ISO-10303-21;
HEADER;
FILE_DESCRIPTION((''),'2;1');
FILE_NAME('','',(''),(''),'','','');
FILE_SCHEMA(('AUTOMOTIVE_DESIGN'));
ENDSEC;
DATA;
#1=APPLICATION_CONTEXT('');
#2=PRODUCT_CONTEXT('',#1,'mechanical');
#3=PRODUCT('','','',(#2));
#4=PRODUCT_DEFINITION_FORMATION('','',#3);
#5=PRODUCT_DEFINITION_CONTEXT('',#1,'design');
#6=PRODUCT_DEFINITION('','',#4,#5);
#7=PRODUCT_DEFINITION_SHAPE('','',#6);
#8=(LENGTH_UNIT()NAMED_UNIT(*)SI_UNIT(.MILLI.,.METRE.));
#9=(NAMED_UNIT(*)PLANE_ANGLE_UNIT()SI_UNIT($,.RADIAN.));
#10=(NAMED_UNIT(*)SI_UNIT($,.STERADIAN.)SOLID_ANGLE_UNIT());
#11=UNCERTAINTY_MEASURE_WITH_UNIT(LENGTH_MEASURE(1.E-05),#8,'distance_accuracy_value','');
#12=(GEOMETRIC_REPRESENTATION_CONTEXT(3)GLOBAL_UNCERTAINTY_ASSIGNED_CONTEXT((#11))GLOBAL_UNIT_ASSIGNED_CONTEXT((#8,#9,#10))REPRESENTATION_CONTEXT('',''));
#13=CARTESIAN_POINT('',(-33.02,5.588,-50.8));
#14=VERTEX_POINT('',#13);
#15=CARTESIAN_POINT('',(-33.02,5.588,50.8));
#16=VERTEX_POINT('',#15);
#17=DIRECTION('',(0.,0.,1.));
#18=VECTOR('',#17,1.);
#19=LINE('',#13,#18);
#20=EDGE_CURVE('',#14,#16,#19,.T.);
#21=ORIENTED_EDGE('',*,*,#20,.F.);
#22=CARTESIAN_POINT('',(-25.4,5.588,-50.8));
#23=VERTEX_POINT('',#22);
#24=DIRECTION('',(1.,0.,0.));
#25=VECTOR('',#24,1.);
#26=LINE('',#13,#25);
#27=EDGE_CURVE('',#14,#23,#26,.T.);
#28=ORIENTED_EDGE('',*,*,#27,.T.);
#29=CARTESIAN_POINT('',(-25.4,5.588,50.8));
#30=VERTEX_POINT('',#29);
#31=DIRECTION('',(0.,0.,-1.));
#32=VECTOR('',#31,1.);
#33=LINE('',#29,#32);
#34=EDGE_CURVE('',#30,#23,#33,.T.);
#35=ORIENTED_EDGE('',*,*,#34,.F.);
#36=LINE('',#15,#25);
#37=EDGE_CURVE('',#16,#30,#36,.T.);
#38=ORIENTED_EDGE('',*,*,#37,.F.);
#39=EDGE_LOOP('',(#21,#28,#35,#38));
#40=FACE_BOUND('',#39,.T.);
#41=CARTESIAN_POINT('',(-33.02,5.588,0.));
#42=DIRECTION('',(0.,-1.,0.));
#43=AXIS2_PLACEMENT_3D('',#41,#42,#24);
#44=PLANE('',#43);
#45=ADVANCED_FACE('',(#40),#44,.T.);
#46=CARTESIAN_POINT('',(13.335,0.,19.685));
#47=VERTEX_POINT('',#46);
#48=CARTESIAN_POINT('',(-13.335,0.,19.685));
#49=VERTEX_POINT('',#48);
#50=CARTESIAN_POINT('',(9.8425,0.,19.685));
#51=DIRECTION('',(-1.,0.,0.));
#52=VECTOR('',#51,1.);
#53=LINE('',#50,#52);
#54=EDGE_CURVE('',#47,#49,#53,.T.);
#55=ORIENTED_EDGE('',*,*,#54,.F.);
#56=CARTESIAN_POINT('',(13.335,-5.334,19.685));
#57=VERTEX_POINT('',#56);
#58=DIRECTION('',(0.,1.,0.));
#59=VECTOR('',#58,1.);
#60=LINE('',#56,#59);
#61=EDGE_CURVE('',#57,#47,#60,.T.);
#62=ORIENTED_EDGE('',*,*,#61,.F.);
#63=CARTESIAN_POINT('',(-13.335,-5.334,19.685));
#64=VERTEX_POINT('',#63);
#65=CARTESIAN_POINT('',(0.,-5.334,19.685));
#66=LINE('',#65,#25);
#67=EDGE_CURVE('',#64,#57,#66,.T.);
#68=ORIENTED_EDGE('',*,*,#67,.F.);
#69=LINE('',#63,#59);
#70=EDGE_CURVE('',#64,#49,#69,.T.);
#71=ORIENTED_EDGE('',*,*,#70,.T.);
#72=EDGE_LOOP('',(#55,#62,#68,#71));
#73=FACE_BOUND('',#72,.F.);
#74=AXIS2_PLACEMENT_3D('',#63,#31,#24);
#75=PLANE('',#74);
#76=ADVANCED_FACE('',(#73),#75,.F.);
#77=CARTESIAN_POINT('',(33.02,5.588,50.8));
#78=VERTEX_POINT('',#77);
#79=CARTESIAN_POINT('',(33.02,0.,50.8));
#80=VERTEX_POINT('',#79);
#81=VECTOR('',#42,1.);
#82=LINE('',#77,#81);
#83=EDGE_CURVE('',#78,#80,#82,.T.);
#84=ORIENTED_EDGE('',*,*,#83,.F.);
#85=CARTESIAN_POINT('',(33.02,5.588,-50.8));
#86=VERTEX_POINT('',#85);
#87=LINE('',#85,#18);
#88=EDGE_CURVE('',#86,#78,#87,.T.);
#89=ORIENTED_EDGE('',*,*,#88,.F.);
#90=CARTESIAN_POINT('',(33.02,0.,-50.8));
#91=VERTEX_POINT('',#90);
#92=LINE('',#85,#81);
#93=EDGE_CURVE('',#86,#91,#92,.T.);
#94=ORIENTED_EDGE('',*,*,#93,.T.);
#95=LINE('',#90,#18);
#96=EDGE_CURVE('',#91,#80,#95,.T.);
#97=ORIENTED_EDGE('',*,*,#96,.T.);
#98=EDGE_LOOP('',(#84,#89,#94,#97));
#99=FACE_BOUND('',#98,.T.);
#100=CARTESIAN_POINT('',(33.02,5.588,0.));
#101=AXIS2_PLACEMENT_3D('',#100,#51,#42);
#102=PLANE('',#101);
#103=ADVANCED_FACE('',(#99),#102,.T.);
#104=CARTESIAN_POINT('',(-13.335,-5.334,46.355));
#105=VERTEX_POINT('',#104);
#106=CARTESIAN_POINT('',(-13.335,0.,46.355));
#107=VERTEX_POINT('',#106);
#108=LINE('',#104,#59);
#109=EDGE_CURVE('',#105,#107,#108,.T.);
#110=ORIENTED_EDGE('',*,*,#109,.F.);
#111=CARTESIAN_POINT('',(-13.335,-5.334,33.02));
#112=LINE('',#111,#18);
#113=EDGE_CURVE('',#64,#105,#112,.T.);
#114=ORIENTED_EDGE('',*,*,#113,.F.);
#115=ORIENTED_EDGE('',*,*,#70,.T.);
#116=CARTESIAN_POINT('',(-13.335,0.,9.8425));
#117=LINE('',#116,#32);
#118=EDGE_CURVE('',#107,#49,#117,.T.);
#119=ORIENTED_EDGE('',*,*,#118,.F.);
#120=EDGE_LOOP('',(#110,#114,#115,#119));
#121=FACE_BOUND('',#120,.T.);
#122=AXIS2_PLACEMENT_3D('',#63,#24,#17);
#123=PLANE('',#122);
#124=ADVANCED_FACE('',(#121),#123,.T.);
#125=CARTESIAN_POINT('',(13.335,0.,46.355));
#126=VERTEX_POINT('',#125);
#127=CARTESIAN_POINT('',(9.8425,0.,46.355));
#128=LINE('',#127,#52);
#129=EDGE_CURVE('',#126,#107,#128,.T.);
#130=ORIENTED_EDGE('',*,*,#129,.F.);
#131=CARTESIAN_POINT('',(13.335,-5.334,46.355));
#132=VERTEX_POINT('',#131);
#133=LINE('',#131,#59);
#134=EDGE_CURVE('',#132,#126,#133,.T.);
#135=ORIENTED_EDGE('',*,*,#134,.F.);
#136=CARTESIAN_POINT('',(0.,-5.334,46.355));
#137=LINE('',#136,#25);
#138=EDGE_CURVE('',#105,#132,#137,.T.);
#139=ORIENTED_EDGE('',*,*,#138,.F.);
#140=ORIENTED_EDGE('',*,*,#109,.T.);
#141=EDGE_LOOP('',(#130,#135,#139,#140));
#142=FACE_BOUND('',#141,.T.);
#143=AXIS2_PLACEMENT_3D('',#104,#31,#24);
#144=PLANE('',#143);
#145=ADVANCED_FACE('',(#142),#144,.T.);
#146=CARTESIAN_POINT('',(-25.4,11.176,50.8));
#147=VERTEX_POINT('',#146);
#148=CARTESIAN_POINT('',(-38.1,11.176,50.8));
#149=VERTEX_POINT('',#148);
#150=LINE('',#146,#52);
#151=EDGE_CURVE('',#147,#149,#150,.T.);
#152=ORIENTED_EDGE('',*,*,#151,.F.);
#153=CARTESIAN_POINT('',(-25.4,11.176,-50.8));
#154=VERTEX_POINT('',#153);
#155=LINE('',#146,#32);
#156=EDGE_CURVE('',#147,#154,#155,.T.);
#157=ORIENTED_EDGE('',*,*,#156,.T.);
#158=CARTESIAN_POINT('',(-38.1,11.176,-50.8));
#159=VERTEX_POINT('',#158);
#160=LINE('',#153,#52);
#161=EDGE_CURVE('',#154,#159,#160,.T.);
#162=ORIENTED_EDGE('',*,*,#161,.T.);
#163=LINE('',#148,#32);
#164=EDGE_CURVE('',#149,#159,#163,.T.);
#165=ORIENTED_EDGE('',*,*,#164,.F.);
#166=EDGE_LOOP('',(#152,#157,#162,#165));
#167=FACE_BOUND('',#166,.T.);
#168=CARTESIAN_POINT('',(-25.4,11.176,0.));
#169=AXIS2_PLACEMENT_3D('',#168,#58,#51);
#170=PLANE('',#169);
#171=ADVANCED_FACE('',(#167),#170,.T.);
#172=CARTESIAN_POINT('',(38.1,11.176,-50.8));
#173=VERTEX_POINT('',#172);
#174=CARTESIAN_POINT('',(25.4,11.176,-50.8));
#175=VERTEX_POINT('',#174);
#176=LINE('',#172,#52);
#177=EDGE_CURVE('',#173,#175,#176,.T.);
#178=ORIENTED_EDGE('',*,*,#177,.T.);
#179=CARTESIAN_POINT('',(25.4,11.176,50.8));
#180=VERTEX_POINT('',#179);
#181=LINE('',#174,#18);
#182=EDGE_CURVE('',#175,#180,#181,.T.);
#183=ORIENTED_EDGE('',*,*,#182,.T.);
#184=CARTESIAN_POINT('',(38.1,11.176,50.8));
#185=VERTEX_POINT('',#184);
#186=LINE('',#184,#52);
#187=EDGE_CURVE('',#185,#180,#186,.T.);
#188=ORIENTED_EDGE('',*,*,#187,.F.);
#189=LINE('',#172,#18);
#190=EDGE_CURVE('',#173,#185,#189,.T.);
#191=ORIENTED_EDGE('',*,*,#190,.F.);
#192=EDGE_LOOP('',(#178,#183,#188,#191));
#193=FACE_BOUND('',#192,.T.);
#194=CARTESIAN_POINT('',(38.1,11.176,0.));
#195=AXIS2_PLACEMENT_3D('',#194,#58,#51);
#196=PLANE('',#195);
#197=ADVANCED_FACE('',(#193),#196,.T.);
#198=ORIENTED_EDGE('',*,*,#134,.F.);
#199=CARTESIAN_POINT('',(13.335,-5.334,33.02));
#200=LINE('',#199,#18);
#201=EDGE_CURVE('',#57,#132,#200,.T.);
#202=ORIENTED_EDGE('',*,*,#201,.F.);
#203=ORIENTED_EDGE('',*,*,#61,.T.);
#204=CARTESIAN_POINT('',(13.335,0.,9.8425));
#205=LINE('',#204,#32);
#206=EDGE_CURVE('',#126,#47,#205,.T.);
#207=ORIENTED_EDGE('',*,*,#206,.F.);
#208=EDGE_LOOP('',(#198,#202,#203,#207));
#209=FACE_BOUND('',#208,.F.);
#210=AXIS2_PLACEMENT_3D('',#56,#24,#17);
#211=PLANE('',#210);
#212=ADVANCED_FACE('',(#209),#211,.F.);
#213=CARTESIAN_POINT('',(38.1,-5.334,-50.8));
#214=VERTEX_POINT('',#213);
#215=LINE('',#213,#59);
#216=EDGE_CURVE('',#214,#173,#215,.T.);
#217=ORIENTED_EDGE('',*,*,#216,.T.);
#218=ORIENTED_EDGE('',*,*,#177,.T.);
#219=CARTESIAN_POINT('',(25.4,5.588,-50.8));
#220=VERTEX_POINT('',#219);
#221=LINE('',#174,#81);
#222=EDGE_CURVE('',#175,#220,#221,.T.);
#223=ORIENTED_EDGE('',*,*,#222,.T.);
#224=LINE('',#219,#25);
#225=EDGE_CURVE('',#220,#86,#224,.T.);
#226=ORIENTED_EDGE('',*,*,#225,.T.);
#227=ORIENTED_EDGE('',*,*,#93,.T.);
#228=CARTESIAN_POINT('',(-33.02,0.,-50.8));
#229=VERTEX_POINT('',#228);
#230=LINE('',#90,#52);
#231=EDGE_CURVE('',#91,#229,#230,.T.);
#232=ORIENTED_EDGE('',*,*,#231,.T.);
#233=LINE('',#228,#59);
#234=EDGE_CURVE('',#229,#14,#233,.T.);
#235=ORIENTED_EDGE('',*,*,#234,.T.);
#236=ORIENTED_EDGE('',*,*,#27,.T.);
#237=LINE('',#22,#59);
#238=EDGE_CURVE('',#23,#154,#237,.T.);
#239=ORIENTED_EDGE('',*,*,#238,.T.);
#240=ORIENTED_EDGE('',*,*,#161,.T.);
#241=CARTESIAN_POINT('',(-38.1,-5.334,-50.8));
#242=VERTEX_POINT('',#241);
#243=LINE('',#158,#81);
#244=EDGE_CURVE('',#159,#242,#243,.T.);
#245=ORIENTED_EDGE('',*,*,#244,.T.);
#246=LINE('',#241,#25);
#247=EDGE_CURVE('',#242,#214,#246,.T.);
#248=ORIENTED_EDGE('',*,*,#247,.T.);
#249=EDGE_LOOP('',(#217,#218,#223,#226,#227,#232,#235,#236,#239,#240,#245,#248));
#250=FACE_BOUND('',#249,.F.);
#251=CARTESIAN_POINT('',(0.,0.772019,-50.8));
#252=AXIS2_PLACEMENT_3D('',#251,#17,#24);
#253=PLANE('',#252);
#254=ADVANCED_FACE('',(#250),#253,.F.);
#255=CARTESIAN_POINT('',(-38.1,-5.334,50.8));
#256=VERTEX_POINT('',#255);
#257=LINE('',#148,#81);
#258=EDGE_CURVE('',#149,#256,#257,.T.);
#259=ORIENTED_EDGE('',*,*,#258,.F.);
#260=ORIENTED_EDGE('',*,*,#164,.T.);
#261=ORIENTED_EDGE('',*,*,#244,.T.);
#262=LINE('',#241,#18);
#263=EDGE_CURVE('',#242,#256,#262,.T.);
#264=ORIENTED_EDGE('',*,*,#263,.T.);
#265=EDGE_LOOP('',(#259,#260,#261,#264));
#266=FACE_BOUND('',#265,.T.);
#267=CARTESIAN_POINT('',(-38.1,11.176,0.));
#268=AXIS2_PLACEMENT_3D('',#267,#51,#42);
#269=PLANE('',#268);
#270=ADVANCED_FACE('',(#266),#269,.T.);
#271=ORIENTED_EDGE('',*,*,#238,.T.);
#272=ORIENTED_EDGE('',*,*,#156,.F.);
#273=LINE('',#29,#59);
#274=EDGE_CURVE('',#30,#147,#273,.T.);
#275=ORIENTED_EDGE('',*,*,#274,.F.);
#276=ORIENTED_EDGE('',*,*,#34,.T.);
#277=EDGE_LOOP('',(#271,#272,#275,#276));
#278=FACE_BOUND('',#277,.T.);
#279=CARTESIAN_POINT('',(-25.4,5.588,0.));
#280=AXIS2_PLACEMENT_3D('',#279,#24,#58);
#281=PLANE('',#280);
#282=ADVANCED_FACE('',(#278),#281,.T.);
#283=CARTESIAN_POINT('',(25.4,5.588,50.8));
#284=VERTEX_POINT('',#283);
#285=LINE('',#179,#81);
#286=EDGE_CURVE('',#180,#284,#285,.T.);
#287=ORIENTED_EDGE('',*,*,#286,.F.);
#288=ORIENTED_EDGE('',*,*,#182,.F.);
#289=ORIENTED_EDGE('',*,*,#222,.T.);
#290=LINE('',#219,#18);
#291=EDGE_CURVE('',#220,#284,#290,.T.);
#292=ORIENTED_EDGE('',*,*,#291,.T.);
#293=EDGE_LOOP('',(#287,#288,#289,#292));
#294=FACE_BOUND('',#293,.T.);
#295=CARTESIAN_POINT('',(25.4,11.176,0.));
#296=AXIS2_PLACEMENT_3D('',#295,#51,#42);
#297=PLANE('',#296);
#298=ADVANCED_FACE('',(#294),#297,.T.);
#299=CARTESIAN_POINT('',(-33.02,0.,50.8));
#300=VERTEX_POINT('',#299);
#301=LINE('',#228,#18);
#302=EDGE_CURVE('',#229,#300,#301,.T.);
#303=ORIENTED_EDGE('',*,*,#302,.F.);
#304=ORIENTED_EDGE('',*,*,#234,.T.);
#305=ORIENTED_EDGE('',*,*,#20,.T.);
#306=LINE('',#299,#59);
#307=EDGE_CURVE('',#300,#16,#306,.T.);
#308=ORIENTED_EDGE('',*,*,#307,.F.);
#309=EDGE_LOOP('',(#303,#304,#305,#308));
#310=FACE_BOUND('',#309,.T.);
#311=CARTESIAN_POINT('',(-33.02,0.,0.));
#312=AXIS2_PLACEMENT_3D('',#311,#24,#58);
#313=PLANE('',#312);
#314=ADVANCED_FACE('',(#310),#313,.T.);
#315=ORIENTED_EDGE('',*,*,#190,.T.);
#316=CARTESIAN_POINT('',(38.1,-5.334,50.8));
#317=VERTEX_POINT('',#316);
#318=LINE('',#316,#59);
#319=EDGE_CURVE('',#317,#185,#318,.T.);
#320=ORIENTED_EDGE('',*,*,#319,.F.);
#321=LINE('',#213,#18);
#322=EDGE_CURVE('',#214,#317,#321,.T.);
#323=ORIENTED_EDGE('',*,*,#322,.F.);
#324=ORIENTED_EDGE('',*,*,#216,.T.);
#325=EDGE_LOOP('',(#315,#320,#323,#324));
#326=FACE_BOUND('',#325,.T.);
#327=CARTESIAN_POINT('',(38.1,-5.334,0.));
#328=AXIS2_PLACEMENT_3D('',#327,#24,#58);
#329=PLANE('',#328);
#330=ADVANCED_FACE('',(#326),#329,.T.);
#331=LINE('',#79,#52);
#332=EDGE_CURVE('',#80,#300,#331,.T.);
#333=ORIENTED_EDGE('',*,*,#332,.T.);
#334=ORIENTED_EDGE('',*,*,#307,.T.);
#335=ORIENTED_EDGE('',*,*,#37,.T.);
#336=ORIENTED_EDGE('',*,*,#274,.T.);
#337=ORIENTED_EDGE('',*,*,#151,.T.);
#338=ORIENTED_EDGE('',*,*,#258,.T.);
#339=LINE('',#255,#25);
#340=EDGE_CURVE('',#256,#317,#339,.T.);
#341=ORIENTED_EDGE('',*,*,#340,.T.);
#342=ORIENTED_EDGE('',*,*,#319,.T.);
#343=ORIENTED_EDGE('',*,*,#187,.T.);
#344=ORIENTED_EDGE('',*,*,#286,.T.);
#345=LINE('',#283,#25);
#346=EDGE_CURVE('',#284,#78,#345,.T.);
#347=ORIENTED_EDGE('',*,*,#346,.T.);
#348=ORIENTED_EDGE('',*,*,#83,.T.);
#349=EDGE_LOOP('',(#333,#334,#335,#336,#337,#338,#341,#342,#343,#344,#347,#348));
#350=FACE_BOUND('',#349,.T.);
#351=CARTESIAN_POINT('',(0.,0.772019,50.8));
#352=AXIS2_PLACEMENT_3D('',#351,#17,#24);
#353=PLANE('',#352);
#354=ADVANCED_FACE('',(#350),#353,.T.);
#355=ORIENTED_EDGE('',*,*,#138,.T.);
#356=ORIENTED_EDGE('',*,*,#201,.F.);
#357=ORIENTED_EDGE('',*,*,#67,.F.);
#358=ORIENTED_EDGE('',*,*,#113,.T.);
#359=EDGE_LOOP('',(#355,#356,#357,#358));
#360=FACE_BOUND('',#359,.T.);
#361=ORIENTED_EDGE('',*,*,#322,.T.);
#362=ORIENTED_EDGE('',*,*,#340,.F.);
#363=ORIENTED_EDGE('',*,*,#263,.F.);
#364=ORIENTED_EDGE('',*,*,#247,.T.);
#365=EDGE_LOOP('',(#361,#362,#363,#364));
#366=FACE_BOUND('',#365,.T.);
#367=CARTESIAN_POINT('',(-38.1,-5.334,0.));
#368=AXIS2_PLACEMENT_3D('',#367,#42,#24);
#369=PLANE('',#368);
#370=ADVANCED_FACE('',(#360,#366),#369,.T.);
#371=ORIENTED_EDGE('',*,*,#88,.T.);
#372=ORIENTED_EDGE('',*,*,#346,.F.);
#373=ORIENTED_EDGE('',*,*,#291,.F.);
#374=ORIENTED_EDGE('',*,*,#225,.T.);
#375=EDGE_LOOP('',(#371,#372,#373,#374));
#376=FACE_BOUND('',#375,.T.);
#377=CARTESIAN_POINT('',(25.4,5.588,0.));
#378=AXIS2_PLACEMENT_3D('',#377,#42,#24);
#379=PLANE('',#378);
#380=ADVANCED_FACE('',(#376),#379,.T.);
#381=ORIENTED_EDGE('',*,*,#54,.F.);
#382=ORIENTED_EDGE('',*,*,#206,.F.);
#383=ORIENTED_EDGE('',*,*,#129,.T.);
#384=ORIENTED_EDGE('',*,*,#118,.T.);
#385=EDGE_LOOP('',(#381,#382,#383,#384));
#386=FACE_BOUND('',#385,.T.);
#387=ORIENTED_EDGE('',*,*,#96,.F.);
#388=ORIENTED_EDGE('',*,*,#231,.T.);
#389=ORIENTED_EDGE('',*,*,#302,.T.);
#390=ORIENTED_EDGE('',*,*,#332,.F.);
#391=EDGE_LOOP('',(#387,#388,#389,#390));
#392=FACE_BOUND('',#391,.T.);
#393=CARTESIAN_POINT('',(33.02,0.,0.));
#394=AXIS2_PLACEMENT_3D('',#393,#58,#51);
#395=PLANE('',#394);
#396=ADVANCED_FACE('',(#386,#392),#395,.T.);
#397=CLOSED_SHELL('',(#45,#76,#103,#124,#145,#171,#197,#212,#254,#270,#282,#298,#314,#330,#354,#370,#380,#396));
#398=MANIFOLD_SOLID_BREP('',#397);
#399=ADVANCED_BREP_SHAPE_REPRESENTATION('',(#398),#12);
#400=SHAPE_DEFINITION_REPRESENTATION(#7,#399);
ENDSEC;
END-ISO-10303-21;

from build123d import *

# Parameters (mm, degrees)
F1_DEPTH = 50.8
F2_W     = 26.67
F2_H     = 26.67
F3_DEPTH = 16.511


with BuildPart() as f1:
    # F0 (on Top) → F1 (new body, symmetric)
    with BuildSketch(Plane.XY):
        Polygon((-38.1, 11.176), (-38.1, -5.334), (0, -5.334), (38.1, -5.334), (38.1, 11.176), (25.4, 11.176), (25.4, 5.588), (33.02, 5.588), (33.02, 0), (0, 0), (-33.02, 0), (-33.02, 5.588), (-25.4, 5.588), (-25.4, 11.176), align=None)
    extrude(amount=F1_DEPTH, both=True)

    # F2 (on face) → F3 (cut, through all)
    with BuildSketch(Plane.XZ.offset(5.334)):
        with Locations((0, 33.02)):
            Rectangle(F2_W, F2_H)
    extrude(amount=-F3_DEPTH, mode=Mode.SUBTRACT)


solid = f1.part
